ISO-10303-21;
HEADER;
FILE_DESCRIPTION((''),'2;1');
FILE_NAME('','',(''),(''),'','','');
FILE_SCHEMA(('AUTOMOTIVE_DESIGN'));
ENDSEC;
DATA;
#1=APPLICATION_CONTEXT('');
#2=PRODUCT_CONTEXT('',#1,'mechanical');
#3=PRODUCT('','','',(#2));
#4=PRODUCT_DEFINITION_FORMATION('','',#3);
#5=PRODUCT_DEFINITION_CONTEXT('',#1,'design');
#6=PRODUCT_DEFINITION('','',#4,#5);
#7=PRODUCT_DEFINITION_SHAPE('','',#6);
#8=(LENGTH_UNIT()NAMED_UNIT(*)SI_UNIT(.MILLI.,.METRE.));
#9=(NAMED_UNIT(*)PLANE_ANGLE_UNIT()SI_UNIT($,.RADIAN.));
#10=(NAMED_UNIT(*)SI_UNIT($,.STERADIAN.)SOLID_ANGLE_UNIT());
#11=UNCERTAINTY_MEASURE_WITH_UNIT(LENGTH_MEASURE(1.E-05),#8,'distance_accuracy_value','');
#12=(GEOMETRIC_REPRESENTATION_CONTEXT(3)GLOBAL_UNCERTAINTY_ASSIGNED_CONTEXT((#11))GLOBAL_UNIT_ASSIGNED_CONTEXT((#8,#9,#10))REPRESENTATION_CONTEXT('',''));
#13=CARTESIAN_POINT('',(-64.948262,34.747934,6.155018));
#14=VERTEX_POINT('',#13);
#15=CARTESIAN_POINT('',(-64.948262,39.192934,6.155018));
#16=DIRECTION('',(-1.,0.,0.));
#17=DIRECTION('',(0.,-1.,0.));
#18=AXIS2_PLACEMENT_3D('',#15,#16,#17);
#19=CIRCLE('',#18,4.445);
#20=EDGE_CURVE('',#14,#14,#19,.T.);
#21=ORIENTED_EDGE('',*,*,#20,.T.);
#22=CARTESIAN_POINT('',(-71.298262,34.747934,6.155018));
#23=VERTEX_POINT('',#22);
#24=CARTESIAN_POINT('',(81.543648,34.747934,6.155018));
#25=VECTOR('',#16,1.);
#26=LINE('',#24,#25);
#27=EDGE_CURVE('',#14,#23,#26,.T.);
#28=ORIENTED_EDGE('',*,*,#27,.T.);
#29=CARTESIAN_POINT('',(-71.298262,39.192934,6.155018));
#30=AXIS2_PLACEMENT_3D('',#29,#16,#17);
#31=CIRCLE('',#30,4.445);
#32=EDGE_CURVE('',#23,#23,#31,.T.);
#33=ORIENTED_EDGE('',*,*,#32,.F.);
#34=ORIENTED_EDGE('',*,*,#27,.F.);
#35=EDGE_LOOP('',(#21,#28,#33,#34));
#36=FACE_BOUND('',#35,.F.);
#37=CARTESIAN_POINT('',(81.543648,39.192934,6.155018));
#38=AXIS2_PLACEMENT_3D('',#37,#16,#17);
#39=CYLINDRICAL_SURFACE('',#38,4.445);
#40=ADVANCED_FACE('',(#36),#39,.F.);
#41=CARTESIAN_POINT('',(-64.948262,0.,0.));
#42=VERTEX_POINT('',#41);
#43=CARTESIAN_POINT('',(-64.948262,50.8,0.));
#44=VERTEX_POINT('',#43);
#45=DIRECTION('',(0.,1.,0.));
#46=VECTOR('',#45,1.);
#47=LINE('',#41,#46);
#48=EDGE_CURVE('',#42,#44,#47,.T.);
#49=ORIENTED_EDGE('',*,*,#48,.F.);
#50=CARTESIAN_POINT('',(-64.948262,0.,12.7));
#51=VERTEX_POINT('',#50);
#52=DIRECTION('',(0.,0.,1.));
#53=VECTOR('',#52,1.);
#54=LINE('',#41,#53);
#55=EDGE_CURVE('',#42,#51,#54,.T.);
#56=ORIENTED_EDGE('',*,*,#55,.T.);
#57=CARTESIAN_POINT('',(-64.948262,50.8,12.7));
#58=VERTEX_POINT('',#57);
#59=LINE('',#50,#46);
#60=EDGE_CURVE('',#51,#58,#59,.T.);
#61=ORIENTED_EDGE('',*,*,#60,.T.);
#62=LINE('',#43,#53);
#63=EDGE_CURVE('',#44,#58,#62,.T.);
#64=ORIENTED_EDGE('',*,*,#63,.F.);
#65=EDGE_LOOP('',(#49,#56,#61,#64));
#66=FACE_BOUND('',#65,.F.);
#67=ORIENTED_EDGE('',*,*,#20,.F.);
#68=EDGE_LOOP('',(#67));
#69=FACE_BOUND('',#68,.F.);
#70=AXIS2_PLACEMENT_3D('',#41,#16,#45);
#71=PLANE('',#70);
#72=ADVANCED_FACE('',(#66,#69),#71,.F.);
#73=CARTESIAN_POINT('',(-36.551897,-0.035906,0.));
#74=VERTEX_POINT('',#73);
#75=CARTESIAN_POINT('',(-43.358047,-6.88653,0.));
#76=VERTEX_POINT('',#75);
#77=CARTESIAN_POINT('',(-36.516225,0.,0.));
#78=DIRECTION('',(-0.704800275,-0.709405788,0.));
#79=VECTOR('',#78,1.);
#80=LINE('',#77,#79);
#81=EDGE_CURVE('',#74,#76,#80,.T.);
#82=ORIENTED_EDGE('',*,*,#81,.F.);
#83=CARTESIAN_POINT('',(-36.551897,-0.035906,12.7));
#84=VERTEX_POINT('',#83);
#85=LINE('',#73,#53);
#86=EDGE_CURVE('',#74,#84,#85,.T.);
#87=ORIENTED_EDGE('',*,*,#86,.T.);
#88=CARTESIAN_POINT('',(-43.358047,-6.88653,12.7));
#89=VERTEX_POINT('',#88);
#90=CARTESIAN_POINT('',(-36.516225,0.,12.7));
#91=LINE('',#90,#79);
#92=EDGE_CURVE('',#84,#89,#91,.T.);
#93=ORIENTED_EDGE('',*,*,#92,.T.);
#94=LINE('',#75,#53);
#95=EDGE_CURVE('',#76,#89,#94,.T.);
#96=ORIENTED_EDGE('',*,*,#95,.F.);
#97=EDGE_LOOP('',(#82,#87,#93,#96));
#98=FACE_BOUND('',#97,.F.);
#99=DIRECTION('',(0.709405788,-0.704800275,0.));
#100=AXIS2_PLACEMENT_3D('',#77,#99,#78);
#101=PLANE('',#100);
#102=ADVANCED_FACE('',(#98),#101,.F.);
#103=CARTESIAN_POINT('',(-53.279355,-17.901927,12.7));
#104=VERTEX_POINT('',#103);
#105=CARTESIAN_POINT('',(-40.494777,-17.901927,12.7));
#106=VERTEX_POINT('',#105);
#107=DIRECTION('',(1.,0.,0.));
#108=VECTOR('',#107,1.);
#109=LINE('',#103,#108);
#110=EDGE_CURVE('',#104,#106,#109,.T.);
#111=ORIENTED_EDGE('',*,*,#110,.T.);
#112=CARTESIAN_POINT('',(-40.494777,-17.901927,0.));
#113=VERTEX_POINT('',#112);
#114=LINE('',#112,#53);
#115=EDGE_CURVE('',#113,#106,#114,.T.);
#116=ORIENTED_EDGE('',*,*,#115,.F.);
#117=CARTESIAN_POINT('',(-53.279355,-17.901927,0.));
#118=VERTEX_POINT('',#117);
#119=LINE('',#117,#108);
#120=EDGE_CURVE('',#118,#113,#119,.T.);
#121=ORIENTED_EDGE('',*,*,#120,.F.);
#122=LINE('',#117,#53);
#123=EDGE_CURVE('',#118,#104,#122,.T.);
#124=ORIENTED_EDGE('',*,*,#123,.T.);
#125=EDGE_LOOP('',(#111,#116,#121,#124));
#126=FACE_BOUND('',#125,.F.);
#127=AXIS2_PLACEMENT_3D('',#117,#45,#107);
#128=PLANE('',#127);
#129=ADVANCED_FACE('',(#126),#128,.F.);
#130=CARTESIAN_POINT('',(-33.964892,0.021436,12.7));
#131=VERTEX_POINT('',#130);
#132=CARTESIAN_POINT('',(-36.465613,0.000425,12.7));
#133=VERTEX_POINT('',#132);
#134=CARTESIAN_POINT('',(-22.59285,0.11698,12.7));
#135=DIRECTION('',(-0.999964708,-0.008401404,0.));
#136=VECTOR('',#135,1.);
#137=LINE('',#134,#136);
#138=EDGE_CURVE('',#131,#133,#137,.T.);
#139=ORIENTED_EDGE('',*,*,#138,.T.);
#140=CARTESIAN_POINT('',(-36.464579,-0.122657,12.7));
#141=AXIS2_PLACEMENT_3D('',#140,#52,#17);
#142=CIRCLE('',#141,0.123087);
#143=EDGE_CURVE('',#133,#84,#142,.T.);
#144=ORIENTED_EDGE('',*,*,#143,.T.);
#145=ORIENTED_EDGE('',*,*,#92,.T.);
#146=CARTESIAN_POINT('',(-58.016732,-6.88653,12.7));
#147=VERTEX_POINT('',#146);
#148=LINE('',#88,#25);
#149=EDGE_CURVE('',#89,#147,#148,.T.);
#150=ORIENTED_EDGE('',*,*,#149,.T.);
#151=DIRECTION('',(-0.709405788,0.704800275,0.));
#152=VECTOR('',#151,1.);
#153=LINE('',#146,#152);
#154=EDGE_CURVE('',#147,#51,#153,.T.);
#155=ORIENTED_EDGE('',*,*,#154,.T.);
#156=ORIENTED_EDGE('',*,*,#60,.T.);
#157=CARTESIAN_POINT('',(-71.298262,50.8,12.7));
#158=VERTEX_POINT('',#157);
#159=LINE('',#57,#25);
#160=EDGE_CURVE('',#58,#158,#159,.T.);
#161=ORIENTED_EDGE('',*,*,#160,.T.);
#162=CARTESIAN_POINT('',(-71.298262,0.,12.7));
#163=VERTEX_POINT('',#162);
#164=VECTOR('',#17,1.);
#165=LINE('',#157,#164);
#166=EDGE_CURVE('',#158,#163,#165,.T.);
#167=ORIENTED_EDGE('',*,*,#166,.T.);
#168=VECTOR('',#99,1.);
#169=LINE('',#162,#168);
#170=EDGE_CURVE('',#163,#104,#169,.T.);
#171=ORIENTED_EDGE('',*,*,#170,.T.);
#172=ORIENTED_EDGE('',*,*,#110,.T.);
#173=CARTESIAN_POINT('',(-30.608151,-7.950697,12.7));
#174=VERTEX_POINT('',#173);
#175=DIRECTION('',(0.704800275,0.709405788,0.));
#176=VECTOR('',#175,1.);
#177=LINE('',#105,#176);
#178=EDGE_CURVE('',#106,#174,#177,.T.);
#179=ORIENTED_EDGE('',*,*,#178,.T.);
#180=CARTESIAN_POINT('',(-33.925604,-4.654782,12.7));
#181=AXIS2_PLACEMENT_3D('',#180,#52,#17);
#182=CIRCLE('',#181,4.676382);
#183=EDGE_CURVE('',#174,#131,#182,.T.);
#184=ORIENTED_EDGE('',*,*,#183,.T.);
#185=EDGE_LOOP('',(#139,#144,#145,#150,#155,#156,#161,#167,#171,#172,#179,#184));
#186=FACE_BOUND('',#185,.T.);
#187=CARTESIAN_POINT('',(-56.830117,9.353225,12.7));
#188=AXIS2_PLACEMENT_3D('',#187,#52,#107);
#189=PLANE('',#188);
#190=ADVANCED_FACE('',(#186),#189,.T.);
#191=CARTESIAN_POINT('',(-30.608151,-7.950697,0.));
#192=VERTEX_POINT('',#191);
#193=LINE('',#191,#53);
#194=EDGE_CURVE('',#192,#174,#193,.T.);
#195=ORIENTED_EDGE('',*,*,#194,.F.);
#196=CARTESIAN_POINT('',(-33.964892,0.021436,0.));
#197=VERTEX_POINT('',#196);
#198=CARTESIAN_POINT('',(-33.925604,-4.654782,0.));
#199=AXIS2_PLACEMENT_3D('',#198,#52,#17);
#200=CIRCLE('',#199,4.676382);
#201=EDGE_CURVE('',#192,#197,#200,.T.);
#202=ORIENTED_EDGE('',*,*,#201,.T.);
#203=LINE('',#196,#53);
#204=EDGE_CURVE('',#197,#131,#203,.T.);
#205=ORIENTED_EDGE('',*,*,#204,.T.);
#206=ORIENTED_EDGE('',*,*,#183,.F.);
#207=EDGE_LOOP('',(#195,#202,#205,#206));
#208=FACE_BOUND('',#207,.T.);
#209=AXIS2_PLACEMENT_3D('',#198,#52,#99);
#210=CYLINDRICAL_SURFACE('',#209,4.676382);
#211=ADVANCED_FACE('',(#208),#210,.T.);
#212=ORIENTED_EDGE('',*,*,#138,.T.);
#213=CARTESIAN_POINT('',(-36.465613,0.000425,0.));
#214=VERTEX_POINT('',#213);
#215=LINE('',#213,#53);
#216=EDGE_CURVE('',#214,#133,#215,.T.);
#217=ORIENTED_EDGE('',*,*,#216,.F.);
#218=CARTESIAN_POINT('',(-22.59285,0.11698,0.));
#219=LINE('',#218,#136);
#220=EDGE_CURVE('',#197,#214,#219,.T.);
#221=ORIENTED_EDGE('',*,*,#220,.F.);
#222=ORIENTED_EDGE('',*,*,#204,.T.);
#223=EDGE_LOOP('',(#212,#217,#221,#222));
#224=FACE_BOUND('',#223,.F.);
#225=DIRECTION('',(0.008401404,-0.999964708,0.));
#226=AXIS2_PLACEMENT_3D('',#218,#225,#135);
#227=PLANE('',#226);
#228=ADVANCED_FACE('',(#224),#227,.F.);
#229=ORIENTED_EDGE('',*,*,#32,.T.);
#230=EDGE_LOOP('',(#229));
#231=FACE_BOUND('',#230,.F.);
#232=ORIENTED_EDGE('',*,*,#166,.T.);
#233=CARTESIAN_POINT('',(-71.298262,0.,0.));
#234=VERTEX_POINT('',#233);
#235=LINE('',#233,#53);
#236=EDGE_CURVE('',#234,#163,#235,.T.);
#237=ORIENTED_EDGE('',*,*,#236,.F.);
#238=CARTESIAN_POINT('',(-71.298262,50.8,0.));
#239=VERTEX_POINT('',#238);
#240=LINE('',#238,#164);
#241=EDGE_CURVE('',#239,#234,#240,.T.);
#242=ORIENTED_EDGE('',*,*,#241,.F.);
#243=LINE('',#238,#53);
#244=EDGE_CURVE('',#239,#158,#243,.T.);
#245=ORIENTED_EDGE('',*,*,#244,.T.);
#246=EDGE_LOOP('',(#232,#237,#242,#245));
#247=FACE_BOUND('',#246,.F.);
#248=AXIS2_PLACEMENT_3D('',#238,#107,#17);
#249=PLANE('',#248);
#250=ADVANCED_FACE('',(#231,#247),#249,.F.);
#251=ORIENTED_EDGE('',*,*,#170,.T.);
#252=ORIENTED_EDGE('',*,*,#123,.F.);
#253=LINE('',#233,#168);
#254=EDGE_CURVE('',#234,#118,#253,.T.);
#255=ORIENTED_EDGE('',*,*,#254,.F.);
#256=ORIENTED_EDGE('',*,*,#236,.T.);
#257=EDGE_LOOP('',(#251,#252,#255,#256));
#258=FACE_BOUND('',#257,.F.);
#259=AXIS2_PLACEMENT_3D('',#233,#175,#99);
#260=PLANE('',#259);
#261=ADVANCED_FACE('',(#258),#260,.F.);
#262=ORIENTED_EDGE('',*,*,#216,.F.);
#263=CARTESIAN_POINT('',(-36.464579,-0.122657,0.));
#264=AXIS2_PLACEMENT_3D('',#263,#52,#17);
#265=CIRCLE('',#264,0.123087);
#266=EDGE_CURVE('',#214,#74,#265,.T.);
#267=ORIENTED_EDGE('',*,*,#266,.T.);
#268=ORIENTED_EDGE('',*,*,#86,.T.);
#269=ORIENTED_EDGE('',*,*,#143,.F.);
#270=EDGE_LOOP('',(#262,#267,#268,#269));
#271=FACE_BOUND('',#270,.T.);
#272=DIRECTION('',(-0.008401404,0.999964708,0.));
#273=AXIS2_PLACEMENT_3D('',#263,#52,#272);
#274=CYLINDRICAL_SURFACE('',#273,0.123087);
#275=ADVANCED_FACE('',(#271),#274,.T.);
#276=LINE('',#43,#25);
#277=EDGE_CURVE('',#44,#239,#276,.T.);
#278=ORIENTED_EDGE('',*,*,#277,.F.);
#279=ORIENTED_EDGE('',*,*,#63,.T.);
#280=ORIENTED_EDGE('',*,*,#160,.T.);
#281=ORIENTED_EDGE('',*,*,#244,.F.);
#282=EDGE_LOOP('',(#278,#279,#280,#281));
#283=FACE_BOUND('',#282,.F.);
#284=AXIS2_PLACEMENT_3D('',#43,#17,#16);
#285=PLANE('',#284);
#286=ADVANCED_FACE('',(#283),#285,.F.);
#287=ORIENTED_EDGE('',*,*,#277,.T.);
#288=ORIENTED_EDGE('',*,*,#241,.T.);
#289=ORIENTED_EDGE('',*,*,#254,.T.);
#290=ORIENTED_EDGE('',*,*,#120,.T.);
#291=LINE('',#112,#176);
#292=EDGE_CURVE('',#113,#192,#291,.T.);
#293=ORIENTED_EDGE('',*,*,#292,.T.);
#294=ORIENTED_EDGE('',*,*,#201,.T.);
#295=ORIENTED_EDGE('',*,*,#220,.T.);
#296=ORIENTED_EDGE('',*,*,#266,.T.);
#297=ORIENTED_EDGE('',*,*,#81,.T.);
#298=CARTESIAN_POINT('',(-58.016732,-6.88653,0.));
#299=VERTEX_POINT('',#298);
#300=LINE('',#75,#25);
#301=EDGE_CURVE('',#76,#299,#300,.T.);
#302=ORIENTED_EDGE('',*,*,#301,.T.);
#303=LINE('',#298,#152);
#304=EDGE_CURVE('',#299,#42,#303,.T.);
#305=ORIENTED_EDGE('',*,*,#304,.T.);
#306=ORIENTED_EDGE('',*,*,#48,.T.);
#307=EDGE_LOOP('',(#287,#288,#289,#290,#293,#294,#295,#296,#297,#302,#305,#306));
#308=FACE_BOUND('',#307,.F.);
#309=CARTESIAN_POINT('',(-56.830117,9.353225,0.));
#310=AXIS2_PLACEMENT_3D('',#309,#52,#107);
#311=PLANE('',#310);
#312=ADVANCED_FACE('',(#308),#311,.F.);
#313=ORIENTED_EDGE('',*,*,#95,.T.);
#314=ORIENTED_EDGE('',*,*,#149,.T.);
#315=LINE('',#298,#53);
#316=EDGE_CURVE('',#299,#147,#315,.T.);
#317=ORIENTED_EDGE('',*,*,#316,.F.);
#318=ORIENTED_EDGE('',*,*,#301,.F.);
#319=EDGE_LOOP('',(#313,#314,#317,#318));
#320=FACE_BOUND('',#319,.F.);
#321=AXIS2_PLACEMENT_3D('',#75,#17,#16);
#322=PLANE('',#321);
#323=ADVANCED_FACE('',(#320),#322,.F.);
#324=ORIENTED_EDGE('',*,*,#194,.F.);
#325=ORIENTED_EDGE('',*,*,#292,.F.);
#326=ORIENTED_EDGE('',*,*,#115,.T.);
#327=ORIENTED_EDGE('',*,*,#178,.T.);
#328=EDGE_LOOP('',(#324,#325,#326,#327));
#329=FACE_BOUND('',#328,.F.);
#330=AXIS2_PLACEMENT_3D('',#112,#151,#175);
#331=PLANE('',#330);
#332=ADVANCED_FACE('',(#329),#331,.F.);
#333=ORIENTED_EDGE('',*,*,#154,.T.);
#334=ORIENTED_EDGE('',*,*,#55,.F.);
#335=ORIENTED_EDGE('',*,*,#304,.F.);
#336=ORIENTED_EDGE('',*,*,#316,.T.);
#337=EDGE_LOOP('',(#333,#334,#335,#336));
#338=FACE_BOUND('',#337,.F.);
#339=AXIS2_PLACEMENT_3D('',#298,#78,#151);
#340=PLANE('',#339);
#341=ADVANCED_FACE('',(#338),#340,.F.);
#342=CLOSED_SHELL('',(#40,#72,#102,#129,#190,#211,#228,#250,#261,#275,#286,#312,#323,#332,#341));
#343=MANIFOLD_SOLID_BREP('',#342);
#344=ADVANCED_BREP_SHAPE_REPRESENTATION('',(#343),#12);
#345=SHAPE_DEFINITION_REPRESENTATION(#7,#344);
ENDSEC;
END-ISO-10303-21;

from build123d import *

# Parameters (mm, degrees)
F1_DEPTH = 12.7
F2_R     = 4.6763821429
F3_R     = 0.12308652
F5_D     = 8.89


with BuildPart() as f1:
    # F0 (on Top) → F1 (new body)
    with BuildSketch(Plane.XY):
        Polygon((-64.9482621324, 50.8), (-71.2982621324, 50.8), (-71.2982621324, 0), (-53.2793551183, -17.9019269917), (-40.4947772622, -17.9019269917), (-22.5928502705, 0.1169800224), (-36.5162245659, 0), (-43.3580465615, -6.8865298358), (-58.0167323134, -6.8865298358), (-64.9482621324, 0), align=None)
    extrude(amount=F1_DEPTH)

    # F2
    f2_edges = [f1.edges().sort_by_distance(p)[0] for p in [
        (-22.59285, 0.11698, 6.35),
    ]]
    fillet(f2_edges, radius=F2_R)

    # F3
    f3_edges = [f1.edges().sort_by_distance(p)[0] for p in [
        (-33.964892, 0.021436, 6.35),
        (-36.516225, 0, 6.35),
    ]]
    fillet(f3_edges, radius=F3_R)

    # F5 (through all)
    with Locations(Plane.YZ):
        with Locations((39.1929335892, 6.155018229)):
            Hole(F5_D / 2)


solid = f1.part
